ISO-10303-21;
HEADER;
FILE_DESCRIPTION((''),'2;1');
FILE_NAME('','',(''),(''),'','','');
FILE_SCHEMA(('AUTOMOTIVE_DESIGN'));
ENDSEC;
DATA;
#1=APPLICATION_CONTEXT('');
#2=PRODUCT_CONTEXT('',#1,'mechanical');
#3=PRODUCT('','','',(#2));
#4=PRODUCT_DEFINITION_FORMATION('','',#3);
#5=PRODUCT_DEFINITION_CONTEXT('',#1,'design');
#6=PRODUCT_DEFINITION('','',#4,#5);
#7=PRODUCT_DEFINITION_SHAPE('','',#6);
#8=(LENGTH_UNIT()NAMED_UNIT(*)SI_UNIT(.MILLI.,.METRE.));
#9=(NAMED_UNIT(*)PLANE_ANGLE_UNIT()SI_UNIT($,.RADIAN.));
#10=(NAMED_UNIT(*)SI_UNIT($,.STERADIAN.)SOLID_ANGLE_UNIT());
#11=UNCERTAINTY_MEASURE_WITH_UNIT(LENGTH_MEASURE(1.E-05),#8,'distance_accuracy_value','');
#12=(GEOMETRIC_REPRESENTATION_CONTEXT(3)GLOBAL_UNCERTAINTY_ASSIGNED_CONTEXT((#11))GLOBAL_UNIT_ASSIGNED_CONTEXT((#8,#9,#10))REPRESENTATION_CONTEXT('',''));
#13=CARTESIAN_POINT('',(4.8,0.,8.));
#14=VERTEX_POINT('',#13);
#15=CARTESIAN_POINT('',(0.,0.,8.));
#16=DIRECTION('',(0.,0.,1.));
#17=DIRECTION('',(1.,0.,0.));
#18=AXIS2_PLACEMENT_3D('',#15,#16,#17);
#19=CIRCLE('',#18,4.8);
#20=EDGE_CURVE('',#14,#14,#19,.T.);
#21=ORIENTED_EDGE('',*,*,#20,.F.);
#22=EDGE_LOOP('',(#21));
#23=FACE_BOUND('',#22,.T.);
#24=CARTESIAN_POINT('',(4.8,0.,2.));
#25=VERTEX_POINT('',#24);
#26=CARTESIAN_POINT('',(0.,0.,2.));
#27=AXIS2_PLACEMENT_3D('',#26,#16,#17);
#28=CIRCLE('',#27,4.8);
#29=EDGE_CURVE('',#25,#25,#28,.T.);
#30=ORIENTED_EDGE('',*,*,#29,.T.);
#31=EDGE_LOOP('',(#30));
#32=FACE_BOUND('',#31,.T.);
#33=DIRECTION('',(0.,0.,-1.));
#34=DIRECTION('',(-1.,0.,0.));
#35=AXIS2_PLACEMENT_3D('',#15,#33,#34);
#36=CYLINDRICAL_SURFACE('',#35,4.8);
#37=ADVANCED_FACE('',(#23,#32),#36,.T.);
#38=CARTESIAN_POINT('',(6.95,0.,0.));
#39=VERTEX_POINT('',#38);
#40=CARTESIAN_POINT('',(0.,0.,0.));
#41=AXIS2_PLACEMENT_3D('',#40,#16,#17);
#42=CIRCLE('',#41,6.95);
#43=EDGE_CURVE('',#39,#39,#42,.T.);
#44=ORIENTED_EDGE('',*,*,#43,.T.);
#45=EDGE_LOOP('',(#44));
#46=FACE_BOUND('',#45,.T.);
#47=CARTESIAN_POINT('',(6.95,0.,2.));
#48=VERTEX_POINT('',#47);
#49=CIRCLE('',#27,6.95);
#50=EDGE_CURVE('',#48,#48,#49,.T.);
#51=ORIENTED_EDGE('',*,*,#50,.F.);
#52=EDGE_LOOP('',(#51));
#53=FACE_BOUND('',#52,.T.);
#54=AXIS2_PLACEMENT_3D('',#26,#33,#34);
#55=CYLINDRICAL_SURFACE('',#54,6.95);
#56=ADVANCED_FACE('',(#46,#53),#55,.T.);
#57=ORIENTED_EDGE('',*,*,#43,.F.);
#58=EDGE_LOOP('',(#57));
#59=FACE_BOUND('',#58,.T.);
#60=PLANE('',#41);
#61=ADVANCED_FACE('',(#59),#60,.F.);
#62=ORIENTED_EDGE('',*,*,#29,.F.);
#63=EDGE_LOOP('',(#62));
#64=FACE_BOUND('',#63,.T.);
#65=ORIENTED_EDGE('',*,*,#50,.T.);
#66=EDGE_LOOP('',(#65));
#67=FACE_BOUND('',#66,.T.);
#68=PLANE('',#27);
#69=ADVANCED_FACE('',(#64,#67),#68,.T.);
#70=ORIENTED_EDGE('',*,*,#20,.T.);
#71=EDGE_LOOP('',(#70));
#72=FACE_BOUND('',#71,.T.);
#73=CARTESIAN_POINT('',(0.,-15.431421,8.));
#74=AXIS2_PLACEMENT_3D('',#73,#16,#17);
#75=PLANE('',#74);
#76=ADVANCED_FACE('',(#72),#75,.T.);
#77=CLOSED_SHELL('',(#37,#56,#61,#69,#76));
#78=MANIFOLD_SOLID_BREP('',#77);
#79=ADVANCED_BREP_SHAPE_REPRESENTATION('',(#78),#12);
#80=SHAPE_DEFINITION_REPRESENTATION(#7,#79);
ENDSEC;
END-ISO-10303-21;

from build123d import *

# Parameters (mm, degrees)
IZIM1_R                     = 6.95
Y_KSEKLIK_EKSTR_ZYON1_DEPTH = 2
IZIM2_R                     = 4.8
Y_KSEKLIK_EKSTR_ZYON2_DEPTH = 6


with BuildPart() as part:
    # Çizim1 → Yükseklik-Ekstrüzyon1 (new body)
    with BuildSketch(Plane.XY):
        Circle(IZIM1_R)
    extrude(amount=Y_KSEKLIK_EKSTR_ZYON1_DEPTH)

    # Çizim2 → Yükseklik-Ekstrüzyon2 (add)
    with BuildSketch(Plane.XY.offset(2)):
        Circle(IZIM2_R)
    extrude(amount=Y_KSEKLIK_EKSTR_ZYON2_DEPTH)


solid = part.part
